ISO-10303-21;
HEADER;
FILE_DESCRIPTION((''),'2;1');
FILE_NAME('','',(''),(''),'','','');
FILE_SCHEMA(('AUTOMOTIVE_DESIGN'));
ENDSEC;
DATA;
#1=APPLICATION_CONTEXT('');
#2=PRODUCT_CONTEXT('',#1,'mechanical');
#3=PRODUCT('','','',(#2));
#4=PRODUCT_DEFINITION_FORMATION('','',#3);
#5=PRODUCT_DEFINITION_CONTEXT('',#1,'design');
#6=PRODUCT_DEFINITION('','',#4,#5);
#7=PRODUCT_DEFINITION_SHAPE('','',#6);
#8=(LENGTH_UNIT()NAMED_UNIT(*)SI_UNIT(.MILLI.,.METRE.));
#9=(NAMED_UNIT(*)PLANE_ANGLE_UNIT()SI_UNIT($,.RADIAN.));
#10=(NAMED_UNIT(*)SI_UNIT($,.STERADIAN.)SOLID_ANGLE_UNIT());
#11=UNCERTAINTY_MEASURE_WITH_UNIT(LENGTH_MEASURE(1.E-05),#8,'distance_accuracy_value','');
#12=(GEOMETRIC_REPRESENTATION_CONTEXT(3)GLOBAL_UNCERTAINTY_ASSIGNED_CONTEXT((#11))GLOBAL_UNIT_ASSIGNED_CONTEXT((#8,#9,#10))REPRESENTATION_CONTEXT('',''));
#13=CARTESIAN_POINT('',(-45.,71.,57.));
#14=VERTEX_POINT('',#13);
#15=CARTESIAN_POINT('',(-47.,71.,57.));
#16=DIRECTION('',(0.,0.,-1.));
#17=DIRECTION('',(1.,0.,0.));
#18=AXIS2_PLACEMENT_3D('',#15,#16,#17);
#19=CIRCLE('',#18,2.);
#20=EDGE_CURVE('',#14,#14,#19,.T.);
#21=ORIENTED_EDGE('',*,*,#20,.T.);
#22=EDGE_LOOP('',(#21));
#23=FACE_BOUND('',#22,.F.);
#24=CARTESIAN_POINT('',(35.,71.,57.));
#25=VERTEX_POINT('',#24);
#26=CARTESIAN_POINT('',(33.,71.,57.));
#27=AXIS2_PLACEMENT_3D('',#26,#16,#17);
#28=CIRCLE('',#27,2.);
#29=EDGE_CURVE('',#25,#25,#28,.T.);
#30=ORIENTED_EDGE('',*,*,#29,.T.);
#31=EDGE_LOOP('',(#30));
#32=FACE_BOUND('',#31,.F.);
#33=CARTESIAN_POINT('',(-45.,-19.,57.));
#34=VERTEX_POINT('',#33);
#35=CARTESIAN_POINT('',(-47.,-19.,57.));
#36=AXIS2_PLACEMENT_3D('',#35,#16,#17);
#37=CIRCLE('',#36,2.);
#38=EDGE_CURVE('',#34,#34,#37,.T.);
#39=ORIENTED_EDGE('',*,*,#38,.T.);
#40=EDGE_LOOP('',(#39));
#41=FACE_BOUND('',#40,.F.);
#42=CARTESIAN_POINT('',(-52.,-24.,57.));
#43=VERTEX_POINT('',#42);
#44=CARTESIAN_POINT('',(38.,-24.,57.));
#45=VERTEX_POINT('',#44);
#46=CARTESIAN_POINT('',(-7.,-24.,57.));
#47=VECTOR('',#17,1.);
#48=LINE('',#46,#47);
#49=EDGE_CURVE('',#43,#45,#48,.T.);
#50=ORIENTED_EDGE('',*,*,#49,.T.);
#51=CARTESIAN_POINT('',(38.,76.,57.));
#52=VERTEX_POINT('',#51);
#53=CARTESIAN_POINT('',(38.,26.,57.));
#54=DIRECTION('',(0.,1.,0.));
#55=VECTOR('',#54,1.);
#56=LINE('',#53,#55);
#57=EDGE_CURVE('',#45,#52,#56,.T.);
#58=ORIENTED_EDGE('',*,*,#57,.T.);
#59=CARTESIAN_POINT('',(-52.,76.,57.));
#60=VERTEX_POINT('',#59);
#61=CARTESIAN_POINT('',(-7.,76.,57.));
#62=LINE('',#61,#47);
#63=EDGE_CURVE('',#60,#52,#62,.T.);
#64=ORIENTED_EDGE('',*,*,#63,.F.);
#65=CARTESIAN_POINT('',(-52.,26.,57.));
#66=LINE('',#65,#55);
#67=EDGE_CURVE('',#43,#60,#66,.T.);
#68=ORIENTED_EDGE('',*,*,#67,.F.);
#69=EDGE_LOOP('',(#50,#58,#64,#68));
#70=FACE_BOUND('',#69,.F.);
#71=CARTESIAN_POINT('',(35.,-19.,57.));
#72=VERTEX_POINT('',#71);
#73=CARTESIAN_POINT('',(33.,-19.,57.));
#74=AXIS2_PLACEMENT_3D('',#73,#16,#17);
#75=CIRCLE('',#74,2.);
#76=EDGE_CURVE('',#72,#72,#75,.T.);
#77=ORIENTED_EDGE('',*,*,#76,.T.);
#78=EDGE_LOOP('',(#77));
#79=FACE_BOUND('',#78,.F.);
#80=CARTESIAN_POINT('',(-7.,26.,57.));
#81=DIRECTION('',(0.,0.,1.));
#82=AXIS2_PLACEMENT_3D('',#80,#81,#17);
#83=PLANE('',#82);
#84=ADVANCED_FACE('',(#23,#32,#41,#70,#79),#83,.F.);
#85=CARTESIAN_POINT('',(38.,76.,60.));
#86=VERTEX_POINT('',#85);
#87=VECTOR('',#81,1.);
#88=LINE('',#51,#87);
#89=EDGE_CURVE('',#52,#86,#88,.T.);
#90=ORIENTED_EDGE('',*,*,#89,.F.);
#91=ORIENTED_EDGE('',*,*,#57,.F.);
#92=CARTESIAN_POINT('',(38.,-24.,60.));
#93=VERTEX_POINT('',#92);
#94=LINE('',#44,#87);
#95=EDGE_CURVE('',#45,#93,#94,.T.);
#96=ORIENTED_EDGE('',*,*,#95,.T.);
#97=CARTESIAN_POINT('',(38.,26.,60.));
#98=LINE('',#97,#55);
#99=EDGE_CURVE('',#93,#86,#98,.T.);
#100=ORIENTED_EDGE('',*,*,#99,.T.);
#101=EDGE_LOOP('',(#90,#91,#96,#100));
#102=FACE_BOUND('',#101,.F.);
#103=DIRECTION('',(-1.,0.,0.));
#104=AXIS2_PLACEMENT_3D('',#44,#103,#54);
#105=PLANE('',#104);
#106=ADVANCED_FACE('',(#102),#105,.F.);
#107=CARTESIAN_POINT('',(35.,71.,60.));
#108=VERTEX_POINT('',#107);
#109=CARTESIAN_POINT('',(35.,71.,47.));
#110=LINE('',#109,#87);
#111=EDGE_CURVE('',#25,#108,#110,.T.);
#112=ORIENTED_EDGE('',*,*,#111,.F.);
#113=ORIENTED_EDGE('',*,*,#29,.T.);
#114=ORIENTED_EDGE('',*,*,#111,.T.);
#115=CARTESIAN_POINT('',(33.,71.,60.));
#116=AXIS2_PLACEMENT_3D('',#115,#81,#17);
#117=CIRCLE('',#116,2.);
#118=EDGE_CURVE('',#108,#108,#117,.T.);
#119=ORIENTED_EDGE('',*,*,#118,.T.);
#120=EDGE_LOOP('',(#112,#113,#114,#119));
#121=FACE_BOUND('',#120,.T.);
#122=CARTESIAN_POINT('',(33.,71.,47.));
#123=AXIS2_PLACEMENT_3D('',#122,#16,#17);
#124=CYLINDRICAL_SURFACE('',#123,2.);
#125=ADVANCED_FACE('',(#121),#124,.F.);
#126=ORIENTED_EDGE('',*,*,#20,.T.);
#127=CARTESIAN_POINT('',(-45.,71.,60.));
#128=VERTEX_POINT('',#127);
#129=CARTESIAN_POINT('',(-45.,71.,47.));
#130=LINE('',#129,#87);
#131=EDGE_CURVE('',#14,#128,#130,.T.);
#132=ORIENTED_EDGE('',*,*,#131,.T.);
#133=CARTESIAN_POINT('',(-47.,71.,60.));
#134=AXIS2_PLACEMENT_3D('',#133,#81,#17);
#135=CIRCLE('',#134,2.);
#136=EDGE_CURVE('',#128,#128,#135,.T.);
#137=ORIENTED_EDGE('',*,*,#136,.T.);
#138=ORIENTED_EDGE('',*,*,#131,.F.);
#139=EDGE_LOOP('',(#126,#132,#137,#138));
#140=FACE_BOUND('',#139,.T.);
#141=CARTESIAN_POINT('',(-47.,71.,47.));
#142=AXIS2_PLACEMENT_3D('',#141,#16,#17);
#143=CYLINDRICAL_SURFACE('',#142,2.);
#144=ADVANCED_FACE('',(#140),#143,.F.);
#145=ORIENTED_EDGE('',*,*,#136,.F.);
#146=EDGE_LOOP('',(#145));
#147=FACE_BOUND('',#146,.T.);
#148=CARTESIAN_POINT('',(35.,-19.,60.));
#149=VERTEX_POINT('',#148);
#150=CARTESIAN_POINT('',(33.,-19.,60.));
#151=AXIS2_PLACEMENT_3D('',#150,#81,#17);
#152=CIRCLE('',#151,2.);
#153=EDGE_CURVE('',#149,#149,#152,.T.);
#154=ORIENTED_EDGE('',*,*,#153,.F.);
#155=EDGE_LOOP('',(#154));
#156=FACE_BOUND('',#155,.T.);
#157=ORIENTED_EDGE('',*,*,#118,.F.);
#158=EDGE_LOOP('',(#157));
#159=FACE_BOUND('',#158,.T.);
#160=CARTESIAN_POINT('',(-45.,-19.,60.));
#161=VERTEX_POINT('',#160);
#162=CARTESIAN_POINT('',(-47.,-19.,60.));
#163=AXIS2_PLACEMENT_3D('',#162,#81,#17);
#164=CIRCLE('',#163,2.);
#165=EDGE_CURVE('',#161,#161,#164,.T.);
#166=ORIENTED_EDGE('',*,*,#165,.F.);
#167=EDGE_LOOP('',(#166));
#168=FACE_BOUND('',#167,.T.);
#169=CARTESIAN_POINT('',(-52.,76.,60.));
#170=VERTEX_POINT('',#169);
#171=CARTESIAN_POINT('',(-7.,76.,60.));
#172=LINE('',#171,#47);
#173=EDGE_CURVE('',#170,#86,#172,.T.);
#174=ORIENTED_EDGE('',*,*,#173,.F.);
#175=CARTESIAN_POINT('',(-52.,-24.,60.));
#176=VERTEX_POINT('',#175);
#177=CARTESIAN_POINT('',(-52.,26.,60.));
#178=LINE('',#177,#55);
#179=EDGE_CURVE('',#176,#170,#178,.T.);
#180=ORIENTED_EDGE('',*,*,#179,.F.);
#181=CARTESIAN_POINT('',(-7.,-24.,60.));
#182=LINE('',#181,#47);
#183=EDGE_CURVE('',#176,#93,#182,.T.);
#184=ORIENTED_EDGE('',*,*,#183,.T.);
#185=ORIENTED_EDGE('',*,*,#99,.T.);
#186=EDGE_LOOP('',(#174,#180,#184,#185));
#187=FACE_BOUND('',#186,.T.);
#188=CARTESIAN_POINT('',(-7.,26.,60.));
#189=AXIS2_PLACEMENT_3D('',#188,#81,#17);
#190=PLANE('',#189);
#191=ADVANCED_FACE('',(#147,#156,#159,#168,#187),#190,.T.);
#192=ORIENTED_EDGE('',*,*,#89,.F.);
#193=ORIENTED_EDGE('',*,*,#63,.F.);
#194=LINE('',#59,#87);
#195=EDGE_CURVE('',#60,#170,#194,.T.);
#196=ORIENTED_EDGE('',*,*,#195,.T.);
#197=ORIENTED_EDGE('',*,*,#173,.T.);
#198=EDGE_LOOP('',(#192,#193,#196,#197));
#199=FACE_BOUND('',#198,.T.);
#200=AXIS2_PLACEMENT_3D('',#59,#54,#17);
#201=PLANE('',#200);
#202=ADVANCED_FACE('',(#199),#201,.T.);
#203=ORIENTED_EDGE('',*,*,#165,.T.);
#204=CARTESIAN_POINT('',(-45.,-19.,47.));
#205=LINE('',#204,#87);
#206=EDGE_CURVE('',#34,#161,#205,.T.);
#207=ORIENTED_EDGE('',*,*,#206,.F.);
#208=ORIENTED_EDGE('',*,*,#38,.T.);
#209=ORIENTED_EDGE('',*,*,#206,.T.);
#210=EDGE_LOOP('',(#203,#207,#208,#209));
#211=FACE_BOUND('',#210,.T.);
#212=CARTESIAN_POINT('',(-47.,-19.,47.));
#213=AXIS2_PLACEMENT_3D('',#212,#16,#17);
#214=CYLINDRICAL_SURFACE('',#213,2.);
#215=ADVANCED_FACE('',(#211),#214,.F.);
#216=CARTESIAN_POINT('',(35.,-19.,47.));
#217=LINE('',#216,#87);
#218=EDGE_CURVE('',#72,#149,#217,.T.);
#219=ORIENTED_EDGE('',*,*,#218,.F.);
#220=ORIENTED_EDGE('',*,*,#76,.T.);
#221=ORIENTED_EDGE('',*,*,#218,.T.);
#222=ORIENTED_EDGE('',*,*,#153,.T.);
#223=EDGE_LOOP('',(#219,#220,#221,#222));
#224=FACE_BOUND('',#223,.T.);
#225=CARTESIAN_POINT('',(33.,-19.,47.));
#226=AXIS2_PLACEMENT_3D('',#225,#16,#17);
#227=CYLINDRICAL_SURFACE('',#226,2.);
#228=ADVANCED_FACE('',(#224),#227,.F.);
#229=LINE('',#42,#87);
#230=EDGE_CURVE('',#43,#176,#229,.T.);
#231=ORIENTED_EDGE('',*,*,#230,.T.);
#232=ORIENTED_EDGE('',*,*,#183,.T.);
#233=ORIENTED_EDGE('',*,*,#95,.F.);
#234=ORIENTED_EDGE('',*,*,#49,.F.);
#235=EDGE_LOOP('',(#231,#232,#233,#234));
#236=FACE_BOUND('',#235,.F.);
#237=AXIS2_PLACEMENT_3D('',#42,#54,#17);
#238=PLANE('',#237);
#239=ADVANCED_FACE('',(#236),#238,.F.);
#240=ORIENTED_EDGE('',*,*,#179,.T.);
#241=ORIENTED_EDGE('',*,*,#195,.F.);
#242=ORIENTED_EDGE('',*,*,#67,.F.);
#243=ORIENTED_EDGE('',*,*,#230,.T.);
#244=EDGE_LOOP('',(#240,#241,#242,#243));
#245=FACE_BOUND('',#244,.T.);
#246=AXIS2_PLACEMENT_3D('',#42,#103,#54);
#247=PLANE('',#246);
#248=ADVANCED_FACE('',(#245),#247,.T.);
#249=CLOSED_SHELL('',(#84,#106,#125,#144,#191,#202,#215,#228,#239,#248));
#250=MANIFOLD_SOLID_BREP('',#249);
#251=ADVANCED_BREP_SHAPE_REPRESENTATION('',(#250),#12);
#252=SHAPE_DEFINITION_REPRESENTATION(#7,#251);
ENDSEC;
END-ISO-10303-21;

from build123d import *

# Parameters (mm, degrees)
CYLINDER204_R     = 2
CYLINDER204_DEPTH = 13
CYLINDER205_R     = 2
CYLINDER205_DEPTH = 13
CYLINDER203_R     = 2
CYLINDER203_DEPTH = 13
CYLINDER206_R     = 2
CYLINDER206_DEPTH = 13
BOX259_W          = 90
BOX259_H          = 100
BOX259_DEPTH      = 3


with BuildPart() as cylinder204:
    # Cylinder204 → Cylinder204 (new body)
    with BuildSketch(Plane(origin=(33, 55, 32), x_dir=(1, 0, 0), z_dir=(0, 0, 1))):
        Circle(CYLINDER204_R)
    extrude(amount=CYLINDER204_DEPTH)


with BuildPart() as cylinder205:
    # Cylinder205 → Cylinder205 (new body)
    with BuildSketch(Plane(origin=(-47, 55, 32), x_dir=(1, 0, 0), z_dir=(0, 0, 1))):
        Circle(CYLINDER205_R)
    extrude(amount=CYLINDER205_DEPTH)


with BuildPart() as cylinder203:
    # Cylinder203 → Cylinder203 (new body)
    with BuildSketch(Plane(origin=(33, -35, 32), x_dir=(1, 0, 0), z_dir=(0, 0, 1))):
        Circle(CYLINDER203_R)
    extrude(amount=CYLINDER203_DEPTH)


with BuildPart() as cylinder206:
    # Cylinder206 → Cylinder206 (new body)
    with BuildSketch(Plane(origin=(-47, -35, 32), x_dir=(1, 0, 0), z_dir=(0, 0, 1))):
        Circle(CYLINDER206_R)
    extrude(amount=CYLINDER206_DEPTH)


with BuildPart() as cut171:
    # Box259 → Box259 (new body)
    with BuildSketch(Plane(origin=(-52, -40, 42), x_dir=(1, 0, 0), z_dir=(0, 0, 1))):
        with Locations((45, 50)):
            Rectangle(BOX259_W, BOX259_H)
    extrude(amount=BOX259_DEPTH)

    # Cut168: cut Cylinder206
    add(cylinder206.part, mode=Mode.SUBTRACT)

    # Cut169: cut Cylinder203
    add(cylinder203.part, mode=Mode.SUBTRACT)

    # Cut170: cut Cylinder205
    add(cylinder205.part, mode=Mode.SUBTRACT)

    # Cut171: cut Cylinder204
    add(cylinder204.part, mode=Mode.SUBTRACT)


with BuildPart() as cut171_1:
    # Cut171 placement: moved
    add(cut171.part.moved(Location((0, 16, 15))))


solid = cut171_1.part
